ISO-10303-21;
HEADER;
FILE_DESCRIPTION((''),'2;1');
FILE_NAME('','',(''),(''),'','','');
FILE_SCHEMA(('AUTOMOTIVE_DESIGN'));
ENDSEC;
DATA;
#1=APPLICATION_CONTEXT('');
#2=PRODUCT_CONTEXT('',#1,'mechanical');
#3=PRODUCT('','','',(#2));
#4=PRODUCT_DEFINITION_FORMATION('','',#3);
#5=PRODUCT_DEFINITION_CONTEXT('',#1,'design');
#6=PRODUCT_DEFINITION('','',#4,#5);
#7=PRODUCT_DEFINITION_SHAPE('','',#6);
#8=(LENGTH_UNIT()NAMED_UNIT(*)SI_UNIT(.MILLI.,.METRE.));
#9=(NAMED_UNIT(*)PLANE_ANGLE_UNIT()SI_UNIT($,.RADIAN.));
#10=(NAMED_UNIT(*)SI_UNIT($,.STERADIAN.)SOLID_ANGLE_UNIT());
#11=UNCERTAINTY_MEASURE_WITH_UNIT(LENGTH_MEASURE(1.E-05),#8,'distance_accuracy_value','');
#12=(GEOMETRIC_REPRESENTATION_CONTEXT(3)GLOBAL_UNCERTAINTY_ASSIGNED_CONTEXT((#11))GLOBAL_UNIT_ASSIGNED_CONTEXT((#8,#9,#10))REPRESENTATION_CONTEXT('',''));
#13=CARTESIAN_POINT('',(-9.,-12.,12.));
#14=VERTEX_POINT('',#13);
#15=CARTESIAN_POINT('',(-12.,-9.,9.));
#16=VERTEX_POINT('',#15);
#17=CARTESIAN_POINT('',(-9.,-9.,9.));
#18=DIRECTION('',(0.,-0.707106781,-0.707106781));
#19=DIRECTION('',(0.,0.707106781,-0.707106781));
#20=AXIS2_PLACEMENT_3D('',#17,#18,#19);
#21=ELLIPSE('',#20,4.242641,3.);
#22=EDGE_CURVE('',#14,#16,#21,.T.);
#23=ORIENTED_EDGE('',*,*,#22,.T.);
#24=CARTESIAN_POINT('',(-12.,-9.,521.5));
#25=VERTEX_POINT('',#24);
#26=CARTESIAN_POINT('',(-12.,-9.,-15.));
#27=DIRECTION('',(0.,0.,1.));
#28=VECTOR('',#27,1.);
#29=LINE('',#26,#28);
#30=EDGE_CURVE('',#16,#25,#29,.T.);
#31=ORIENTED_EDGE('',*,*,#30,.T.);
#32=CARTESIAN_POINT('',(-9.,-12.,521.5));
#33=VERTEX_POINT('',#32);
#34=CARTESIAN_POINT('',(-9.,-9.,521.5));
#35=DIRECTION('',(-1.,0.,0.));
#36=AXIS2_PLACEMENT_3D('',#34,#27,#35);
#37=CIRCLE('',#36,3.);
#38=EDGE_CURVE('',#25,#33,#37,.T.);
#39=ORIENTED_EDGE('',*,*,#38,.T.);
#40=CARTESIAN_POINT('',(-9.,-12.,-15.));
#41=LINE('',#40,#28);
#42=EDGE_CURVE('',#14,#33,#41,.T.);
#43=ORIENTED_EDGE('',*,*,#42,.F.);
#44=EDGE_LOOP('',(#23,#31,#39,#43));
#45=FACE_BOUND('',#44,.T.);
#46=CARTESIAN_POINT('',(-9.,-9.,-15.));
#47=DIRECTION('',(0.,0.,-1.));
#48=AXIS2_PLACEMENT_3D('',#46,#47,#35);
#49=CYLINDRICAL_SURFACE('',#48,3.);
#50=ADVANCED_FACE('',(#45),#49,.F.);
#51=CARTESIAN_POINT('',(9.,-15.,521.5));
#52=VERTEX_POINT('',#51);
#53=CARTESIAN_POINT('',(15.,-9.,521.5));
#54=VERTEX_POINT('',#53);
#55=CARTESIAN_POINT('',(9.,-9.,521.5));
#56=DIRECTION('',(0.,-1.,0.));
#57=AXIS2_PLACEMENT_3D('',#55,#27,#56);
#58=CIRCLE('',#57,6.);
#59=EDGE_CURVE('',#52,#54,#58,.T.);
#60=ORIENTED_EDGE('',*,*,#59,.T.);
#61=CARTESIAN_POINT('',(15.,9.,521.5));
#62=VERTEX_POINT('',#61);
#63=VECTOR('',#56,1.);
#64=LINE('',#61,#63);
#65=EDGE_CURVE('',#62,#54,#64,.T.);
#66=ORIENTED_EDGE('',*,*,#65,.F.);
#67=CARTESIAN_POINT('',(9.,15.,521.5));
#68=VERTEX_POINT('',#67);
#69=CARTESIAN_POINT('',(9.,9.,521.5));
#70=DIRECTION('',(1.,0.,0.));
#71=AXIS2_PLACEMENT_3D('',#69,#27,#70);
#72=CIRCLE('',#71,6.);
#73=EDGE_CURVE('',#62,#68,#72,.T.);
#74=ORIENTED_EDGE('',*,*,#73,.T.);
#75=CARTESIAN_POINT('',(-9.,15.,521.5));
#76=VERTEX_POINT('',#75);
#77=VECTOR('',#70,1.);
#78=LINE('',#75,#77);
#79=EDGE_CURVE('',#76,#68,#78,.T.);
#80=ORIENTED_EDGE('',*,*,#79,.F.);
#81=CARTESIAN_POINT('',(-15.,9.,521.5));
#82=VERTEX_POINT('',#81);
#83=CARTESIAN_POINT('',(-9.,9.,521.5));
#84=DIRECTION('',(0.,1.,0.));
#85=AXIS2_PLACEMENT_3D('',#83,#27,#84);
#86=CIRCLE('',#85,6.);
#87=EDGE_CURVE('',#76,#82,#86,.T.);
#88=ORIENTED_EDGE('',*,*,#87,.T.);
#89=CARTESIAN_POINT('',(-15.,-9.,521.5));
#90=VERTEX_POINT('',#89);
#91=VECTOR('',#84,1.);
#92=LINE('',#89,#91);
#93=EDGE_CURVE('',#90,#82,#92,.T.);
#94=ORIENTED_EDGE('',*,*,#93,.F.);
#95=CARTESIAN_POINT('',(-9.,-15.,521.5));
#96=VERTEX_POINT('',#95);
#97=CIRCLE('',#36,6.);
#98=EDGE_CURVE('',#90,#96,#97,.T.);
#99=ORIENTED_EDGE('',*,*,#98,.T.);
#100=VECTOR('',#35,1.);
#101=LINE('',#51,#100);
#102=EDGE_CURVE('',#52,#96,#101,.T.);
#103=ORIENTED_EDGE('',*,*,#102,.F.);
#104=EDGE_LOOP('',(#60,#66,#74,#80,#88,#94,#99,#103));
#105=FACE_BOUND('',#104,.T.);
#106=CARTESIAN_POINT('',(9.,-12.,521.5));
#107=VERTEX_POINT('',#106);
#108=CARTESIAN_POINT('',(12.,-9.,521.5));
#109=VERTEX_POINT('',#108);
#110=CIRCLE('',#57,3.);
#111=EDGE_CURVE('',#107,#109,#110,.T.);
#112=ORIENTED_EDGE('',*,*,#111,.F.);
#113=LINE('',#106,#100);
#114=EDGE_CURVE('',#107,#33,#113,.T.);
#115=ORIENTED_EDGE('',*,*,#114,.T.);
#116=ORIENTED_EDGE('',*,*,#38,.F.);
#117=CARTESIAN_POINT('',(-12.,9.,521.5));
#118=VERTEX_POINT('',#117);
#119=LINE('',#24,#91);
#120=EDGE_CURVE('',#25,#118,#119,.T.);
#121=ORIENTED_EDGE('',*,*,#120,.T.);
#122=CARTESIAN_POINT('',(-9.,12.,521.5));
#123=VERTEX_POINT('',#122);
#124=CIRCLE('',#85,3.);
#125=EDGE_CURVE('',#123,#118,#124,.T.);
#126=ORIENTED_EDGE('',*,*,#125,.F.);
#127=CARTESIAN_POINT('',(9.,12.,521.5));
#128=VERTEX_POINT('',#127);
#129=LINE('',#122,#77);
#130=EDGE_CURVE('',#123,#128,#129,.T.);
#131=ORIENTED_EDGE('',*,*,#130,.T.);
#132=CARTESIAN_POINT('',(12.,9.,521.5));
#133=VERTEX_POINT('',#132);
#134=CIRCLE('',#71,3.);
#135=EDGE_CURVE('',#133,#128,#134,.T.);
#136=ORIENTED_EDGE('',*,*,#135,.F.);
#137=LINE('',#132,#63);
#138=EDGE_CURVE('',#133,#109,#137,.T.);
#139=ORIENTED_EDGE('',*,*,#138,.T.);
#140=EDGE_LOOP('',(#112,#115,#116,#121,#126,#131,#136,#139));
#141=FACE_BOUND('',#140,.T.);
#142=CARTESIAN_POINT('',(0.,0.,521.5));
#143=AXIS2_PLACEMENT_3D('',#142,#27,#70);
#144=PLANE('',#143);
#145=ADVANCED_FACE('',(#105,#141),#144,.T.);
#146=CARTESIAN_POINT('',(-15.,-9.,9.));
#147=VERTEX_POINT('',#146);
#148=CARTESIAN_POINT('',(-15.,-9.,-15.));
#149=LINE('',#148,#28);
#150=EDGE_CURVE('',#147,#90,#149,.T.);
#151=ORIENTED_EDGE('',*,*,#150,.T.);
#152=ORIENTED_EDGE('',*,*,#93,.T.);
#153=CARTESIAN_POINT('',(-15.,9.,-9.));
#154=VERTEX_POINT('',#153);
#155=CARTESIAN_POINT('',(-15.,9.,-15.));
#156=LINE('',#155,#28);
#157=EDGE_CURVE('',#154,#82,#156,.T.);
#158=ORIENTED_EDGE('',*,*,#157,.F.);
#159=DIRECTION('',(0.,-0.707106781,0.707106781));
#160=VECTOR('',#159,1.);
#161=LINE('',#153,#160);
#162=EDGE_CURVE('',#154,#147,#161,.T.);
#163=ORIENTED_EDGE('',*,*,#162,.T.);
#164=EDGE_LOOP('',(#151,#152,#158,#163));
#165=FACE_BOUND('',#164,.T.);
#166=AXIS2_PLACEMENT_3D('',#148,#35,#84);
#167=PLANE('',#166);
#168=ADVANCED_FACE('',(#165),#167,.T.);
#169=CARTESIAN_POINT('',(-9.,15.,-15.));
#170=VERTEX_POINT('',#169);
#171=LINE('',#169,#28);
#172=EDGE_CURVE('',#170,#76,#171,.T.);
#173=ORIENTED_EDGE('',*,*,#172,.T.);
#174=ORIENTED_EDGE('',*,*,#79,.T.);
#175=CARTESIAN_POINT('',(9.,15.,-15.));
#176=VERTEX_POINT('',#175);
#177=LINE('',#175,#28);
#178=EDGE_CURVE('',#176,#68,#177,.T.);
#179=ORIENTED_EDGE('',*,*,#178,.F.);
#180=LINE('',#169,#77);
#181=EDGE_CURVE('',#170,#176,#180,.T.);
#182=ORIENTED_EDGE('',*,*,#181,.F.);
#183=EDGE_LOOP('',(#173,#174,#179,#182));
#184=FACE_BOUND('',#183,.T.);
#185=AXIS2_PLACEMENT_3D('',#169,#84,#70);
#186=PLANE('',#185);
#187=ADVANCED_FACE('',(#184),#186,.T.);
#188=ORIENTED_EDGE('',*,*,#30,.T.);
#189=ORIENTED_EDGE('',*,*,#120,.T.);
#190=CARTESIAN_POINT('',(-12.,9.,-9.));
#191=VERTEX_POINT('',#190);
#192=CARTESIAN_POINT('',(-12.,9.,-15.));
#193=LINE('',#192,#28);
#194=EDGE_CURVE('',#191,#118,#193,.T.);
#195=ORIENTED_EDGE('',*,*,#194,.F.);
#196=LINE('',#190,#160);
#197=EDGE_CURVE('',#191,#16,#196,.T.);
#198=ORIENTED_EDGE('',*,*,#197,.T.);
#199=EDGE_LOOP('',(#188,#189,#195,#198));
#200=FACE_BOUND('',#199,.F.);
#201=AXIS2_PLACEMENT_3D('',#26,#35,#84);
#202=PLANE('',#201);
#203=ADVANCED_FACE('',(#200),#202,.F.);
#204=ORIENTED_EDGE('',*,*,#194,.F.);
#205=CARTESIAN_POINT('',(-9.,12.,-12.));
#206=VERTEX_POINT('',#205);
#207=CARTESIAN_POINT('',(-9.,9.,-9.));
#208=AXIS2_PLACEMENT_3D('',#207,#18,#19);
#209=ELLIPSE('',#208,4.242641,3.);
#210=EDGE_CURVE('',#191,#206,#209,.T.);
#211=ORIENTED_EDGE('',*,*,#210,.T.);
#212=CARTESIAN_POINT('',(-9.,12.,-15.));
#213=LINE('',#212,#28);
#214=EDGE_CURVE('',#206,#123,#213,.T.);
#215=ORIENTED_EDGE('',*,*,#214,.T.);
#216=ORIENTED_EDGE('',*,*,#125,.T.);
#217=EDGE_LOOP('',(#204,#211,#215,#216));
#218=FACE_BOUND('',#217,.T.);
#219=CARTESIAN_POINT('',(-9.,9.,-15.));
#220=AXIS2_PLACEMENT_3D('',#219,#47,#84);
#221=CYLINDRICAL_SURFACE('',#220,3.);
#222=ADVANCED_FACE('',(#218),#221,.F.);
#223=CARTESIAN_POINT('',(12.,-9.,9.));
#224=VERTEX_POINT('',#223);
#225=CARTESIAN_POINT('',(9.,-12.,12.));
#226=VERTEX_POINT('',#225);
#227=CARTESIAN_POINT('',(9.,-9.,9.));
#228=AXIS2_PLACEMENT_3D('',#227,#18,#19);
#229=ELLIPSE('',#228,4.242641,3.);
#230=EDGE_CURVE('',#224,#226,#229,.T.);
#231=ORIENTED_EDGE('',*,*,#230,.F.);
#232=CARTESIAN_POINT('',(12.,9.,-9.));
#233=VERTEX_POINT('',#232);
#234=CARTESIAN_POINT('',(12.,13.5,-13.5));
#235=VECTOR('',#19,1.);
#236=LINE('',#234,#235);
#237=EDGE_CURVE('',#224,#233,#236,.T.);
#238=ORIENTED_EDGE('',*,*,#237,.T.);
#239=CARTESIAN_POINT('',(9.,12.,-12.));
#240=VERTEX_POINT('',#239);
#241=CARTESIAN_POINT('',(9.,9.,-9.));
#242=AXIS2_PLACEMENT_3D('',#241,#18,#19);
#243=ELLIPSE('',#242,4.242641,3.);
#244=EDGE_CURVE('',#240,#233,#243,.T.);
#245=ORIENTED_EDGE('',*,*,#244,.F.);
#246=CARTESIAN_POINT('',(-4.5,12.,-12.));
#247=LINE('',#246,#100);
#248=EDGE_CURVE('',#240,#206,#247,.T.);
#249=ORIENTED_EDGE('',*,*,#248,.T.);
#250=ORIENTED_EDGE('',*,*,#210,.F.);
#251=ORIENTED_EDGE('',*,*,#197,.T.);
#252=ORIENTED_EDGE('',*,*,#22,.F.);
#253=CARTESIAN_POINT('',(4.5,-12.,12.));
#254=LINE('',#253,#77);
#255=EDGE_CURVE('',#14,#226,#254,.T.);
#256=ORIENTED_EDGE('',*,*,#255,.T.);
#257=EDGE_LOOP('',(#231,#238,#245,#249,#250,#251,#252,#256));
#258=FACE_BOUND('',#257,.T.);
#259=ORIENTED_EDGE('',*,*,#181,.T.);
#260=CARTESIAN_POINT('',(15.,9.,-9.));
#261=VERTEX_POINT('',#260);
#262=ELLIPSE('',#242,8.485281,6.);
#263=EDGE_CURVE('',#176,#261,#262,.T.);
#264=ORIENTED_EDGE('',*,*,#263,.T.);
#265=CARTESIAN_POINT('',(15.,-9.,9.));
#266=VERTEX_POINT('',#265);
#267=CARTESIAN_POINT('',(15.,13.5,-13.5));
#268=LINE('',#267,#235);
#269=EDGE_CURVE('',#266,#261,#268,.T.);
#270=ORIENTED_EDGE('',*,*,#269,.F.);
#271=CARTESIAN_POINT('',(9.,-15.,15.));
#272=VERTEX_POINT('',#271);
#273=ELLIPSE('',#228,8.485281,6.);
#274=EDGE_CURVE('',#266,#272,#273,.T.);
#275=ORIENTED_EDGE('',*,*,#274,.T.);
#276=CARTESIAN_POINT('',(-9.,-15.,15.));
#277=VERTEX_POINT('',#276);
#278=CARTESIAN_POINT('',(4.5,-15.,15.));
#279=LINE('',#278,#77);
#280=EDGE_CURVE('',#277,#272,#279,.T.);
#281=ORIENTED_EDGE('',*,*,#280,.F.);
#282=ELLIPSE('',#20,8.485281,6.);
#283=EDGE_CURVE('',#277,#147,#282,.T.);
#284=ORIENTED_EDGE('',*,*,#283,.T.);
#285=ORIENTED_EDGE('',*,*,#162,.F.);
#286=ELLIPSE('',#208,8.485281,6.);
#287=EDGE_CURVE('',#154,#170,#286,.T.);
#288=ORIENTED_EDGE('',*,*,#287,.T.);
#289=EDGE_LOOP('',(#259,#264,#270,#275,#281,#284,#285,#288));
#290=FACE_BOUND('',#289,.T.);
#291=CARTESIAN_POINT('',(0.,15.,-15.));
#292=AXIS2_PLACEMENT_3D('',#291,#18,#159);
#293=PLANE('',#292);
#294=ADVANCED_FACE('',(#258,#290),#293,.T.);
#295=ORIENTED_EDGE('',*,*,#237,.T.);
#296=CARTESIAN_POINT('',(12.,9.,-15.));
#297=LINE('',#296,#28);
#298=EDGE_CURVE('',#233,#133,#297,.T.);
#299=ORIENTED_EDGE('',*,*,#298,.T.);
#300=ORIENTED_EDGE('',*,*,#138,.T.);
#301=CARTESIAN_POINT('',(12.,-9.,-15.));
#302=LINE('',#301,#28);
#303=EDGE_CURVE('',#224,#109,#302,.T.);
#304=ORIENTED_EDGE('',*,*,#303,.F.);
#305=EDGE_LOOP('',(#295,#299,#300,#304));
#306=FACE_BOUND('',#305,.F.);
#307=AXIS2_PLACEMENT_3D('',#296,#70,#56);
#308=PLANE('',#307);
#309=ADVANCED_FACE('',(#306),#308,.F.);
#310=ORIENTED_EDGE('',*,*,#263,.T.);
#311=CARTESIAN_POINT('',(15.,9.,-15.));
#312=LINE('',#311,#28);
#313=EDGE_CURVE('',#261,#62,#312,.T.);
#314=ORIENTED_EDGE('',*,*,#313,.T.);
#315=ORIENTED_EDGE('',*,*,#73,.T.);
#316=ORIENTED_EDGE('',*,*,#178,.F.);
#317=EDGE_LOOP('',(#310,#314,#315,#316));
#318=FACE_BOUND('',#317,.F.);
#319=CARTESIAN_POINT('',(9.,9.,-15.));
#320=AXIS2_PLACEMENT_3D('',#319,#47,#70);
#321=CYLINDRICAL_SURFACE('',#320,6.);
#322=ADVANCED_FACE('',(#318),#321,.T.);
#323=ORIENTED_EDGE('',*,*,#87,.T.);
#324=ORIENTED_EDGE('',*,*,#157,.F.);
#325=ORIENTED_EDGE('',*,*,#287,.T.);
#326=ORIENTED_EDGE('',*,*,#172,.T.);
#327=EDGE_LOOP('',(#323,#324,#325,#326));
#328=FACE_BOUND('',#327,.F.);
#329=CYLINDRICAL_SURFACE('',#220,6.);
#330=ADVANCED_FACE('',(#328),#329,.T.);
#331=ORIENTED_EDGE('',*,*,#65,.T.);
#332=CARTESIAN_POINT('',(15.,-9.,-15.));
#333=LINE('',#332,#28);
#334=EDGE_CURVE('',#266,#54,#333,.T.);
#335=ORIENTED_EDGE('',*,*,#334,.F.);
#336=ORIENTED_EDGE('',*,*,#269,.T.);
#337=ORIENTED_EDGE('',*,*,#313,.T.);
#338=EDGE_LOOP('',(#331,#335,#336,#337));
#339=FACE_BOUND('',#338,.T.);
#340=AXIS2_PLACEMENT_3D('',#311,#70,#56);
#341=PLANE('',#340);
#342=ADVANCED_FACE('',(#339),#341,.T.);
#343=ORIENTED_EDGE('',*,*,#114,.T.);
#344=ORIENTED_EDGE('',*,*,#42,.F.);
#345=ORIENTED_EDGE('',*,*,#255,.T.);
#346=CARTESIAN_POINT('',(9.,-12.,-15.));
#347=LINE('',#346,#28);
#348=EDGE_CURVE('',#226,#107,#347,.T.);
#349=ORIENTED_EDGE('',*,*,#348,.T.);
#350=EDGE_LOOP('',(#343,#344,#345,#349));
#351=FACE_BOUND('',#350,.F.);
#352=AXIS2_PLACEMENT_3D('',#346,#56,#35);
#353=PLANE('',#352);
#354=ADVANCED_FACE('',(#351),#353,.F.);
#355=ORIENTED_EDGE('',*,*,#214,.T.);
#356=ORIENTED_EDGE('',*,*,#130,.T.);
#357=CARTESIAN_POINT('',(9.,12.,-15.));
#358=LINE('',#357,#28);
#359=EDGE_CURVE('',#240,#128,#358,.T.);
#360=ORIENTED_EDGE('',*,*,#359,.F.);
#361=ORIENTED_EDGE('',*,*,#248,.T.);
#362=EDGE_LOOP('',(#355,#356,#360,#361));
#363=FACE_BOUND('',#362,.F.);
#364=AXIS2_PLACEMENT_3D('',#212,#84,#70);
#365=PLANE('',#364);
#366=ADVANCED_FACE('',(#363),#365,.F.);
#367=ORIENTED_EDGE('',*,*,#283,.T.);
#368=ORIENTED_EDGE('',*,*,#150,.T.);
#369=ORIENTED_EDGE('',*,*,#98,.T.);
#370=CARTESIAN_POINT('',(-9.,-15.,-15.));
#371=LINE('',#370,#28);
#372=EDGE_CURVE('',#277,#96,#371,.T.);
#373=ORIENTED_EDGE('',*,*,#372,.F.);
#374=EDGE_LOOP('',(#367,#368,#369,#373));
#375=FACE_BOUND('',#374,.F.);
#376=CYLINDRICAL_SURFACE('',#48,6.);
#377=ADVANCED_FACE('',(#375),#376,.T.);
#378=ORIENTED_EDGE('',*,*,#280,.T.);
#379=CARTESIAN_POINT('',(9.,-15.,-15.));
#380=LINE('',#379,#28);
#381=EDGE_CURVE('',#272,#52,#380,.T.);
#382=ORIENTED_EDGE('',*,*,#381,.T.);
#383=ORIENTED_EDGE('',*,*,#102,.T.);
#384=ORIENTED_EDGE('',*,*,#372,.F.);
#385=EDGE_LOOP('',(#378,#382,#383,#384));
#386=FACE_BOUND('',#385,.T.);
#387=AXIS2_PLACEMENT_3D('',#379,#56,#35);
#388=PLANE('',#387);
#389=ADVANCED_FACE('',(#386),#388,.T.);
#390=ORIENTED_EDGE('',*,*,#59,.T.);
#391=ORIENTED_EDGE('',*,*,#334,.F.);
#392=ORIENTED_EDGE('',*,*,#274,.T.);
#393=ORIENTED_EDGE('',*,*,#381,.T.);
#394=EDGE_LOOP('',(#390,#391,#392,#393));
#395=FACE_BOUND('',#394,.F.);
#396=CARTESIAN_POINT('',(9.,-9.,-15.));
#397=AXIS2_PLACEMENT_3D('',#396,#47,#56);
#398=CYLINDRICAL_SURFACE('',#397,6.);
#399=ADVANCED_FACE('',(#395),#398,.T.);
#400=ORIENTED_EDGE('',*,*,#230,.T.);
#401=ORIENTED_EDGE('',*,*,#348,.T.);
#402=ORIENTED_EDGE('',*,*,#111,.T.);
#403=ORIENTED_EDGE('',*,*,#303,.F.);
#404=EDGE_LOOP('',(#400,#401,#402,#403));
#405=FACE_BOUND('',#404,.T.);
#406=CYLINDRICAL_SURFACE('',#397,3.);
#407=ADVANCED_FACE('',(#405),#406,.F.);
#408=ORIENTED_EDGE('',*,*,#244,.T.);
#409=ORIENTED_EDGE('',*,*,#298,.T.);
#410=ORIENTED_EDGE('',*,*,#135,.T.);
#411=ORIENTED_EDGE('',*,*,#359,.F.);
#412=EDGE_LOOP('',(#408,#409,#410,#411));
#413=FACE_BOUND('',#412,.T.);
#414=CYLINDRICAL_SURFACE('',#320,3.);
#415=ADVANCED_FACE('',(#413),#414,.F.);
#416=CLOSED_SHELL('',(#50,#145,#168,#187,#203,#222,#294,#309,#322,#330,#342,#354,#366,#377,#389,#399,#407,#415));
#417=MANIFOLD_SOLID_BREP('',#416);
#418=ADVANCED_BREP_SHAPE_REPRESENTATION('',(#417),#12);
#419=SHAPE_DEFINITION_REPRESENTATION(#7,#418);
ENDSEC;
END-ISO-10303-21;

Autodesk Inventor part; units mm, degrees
ref_plane "Start Plane" through (0, 0, -15) normal (0, 0, 1) x (1, 0, 0)
ref_plane "End Plane" through (0, 0, 521.5) normal (0, 0, 1) x (1, 0, 0)
sketch "Sketch" plane through (0, 0, 0) normal (0, 0, 1) x (1, 0, 0)
  line L0 (-15, -9) -> (-15, 9)
  line L1 (-9, 15) -> (9, 15)
  line L2 (15, 9) -> (15, -9)
  line L3 (9, -15) -> (-9, -15)
  arc A0 (-15, -9) -> (-9, -15) centre (-9, -9) ccw
  arc A1 (-9, 15) -> (-15, 9) centre (-9, 9) ccw
  arc A2 (15, 9) -> (9, 15) centre (9, 9) ccw
  arc A3 (9, -15) -> (15, -9) centre (9, -9) ccw
  arc A4 (-9, 12) -> (-12, 9) centre (-9, 9) ccw
  line L4 (-9, 12) -> (9, 12)
  arc A5 (12, 9) -> (9, 12) centre (9, 9) ccw
  line L5 (12, 9) -> (12, -9)
  arc A6 (9, -12) -> (12, -9) centre (9, -9) ccw
  line L6 (9, -12) -> (-9, -12)
  arc A7 (-12, -9) -> (-9, -12) centre (-9, -9) ccw
  line L7 (-12, -9) -> (-12, 9)
  line L8 (0, 22.7397) -> (0, -22.7397) construction
  line L9 (-22.7397, 0) -> (22.7397, 0) construction
  dimension "d7" = 6
  dimension "d10" = 30
  dimension "d11" = 30
  dimension "d12" = 3
  dimension "d15" = 15
  dimension "d16" = 15
extrude "Body" add sketch "Sketch" along normal up to surface (536.5 mm away) from surface at -15
sketch "Sketch3" plane through (0, 0, 0) normal (0, 0, 1) x (1, 0, 0)
  line L0 (0, 0) -> (10, 0)
ref_plane "Work Plane3" through (0, 0, 0) normal (0, -1, 0) x (1, 0, 0)
ref_plane "Work Plane4" through (0, 15, -15) normal (0, -0.7071, -0.7071) x (1, 0, 0)
split "Split1" plane through (0, 15, -15) removes the side toward (0, -0.7071, -0.7071)
sketch "Sketch4" plane through (0, 0, 0) normal (0, -1, 0) x (1, 0, 0)
  line L0 (-2, -15) -> (12, -15) projected
  line L1 (-2, 521.5) -> (12, 521.5) projected
  dimension "d18" = 536.5
equation "\"d7\" = G_IR"
equation "\"d10\" = G_H"
equation "\"d11\" = G_W"
equation "\"d12\" = G_T"
equation "\"d15\" = 0.5 * d10"
equation "\"d16\" = 0.5 * d11"
equation "\"d3\" = G_L"
equation "\"G_W\" = 30"
equation "\"G_H\" = 30"
equation "\"G_T\" = 3"
equation "\"G_IR\" = 6"
equation "\"G_L\" = d18"
equation "\"G_OFFSET_START\" = 15"
equation "\"G_OFFSET_END\" = 0"
equation "\"d13\" = -G_OFFSET_START"
equation "\"d14\" = G_OFFSET_END + B_L"
equation "\"B_L\" = 521.5"
properties part number "DIN EN 10219-2 - 30 x 30 x 3  - 536.5" material "Steel, Mild"
